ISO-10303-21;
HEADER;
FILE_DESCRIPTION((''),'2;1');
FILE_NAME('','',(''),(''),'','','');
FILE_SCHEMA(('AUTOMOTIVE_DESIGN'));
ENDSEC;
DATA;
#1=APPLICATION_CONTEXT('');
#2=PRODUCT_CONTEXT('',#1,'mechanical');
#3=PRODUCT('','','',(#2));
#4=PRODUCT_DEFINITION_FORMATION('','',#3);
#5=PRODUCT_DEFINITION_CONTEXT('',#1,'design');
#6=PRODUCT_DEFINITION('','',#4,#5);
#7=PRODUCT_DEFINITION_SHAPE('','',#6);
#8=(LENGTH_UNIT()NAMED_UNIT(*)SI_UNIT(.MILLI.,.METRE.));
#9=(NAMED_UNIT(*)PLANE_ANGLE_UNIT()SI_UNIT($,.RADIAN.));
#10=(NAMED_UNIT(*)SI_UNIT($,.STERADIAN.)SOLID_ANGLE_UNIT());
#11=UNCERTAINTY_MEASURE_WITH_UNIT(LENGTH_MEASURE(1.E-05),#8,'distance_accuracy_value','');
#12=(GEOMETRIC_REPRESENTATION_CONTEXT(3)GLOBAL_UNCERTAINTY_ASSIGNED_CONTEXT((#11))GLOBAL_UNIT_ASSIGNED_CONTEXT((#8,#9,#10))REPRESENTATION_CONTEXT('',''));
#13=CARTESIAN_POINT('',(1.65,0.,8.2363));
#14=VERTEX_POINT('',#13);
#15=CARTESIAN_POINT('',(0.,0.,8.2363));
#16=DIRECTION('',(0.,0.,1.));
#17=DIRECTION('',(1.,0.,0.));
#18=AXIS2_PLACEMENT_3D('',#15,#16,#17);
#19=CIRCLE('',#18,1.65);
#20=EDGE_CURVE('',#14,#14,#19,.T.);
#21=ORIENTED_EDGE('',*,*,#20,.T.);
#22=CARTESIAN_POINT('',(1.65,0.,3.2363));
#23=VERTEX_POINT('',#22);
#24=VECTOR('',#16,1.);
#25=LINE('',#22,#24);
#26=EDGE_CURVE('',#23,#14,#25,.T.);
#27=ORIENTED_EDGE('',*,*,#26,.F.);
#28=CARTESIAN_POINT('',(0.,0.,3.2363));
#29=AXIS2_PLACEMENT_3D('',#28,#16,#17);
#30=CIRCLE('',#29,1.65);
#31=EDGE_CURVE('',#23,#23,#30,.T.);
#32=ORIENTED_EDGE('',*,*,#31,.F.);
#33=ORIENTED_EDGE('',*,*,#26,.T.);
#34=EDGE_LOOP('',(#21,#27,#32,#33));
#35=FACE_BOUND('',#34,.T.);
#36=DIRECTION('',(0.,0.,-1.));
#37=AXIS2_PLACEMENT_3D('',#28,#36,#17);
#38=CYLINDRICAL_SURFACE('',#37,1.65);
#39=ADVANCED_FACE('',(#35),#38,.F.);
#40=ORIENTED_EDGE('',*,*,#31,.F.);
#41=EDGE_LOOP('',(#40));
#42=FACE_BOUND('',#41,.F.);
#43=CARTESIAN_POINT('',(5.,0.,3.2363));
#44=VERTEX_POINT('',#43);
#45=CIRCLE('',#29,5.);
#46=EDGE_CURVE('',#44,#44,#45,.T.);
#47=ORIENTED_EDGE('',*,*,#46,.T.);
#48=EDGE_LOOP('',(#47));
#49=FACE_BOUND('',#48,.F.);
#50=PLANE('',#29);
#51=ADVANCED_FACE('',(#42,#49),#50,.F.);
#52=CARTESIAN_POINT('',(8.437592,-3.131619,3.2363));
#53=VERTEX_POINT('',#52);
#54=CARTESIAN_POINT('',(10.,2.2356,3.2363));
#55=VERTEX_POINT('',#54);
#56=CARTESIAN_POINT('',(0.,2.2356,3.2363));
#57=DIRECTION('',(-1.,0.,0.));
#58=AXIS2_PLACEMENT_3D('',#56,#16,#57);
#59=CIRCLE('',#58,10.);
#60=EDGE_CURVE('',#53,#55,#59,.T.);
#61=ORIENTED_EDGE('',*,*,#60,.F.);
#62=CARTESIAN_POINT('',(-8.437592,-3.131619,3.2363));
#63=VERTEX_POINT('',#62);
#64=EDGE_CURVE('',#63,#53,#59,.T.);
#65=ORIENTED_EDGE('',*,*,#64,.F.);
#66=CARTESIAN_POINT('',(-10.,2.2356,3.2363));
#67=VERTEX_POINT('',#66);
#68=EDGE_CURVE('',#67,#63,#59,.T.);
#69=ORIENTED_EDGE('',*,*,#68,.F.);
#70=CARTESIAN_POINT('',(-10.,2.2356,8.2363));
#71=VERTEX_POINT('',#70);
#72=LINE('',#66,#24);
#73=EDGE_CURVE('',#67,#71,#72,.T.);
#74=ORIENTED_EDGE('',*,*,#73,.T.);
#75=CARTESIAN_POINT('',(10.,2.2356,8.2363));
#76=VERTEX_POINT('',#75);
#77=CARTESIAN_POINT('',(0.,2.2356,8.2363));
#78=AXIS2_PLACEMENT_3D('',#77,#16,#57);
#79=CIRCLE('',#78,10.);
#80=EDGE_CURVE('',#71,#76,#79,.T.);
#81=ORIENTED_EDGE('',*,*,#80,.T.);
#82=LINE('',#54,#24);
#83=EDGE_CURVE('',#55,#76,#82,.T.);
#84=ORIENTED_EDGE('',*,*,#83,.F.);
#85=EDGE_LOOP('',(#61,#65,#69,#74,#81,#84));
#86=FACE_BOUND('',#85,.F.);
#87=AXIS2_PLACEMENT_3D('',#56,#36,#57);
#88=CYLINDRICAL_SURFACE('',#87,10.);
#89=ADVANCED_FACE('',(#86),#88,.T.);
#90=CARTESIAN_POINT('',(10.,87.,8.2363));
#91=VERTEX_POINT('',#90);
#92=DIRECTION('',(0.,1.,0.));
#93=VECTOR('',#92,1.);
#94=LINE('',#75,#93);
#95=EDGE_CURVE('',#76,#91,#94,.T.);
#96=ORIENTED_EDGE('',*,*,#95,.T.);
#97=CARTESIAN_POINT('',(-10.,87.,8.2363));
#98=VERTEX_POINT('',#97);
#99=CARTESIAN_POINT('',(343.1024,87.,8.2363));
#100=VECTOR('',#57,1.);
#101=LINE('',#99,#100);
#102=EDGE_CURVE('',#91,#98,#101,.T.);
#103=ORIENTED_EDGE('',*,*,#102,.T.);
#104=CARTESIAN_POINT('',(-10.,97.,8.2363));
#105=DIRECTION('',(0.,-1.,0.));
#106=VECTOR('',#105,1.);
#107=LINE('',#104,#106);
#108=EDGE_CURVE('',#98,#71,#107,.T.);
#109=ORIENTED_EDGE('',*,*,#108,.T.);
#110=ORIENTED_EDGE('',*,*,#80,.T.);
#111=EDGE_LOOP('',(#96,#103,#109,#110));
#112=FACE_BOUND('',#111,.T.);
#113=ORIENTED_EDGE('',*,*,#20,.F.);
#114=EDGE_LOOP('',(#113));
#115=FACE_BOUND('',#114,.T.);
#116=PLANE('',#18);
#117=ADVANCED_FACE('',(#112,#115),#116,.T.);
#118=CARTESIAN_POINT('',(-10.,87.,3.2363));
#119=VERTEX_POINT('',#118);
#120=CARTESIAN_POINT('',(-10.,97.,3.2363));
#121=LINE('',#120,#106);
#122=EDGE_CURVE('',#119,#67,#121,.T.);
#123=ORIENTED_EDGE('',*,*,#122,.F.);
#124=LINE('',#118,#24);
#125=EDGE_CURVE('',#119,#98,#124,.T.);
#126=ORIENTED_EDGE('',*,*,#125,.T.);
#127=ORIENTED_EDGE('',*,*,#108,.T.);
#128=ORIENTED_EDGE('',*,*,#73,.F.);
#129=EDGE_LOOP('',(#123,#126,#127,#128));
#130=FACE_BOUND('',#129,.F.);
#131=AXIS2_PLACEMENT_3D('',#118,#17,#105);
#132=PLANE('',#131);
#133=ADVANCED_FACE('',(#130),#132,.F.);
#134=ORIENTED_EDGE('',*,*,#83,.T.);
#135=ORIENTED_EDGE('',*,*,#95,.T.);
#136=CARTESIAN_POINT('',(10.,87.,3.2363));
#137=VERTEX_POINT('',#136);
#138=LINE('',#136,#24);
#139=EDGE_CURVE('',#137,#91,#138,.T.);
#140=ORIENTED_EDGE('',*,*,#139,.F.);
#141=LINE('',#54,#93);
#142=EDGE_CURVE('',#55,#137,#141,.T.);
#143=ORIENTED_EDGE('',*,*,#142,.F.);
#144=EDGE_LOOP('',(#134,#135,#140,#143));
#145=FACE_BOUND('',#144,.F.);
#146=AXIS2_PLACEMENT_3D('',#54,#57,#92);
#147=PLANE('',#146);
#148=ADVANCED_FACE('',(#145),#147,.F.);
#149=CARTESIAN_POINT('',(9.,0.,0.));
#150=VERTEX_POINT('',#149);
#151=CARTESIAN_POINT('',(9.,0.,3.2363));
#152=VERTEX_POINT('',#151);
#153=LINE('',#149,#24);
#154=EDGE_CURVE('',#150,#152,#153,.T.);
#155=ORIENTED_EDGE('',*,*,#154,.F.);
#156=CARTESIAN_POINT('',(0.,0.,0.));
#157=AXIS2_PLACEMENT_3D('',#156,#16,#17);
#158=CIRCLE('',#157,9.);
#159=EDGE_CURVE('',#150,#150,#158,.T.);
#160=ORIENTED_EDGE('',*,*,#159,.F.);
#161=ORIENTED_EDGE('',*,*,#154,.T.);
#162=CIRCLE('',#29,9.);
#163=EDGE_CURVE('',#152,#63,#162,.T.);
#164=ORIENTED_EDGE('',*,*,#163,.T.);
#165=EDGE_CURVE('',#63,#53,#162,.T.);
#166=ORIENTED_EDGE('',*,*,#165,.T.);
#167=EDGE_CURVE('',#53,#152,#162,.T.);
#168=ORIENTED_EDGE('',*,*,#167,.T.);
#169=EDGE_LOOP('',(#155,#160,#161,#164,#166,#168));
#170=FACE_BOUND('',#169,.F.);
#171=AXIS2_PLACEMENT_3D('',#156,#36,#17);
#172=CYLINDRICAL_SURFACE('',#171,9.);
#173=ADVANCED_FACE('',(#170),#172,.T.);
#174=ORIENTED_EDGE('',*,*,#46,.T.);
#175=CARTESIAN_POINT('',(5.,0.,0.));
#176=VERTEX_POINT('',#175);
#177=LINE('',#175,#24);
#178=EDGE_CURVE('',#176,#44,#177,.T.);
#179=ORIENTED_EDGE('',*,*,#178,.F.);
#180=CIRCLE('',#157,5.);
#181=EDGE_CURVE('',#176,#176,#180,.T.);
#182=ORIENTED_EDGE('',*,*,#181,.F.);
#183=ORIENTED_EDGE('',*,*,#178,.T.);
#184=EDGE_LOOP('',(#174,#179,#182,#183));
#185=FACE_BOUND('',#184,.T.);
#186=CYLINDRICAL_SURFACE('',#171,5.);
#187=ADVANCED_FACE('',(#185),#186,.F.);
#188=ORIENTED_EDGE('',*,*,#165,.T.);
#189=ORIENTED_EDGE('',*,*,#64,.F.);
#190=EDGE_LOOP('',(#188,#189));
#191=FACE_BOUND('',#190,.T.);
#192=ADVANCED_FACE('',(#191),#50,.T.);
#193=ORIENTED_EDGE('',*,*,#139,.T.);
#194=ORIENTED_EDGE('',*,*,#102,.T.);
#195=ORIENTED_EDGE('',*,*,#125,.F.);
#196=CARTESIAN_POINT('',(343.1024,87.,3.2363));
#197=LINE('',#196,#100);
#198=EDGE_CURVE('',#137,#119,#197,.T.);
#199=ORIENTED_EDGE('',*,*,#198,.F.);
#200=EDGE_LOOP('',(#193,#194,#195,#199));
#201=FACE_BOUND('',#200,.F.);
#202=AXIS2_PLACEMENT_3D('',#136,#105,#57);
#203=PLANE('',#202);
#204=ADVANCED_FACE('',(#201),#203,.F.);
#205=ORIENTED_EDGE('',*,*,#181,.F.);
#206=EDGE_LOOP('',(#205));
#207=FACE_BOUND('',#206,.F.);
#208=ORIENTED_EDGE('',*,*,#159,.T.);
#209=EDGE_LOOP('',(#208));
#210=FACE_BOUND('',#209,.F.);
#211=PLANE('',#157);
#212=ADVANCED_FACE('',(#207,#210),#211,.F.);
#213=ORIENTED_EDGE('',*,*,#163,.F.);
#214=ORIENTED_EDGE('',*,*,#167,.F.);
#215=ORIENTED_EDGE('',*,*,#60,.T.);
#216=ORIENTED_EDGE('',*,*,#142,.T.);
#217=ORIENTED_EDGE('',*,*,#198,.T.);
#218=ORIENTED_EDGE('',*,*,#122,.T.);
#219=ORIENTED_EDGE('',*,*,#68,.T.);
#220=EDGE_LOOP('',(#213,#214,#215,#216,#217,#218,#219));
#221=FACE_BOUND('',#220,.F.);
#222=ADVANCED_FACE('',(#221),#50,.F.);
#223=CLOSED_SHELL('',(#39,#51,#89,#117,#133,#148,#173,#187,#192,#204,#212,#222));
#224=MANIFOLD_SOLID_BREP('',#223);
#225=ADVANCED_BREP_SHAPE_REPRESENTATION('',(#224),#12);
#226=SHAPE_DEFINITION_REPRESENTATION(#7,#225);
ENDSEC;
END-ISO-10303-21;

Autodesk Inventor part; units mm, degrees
ref_plane "YZ Plane" through (0, 0, 0) normal (1, 0, 0) x (0, 1, 0)
ref_plane "XZ Plane" through (0, 0, 0) normal (0, 1, 0) x (-1, 0, 0)
ref_plane "XY Plane" through (0, 0, 0) normal (0, 0, 1) x (1, 0, 0)
sketch "Эскиз1" plane through (0, 0, 0) normal (0, 0, 1) x (1, 0, 0)
  circle A0 centre (0, 0) radius 9 projected
  circle A1 centre (0, 0) radius 5 projected
  circle A2 centre (0, 0) radius 1.65 projected
  point P0 (0, 0)
extrude "Выдавливание1" add sketch "Эскиз1" along normal blind 3.2363 contours A0
sketch "Эскиз2" plane through (0, 0, 3.2363) normal (0, 0, 1) x (1, 0, 0)
  line L0 (0, -7.7644) -> (0, 107) construction
  line L1 (10, 2.2356) -> (10, 97)
  line L2 (-10, 97) -> (-10, 2.2356)
  arc A0 (-10, 2.2356) -> (10, 2.2356) centre (0, 2.2356) ccw
  arc A1 (10, 97) -> (-10, 97) centre (0, 97) ccw
  line L3 (343.1024, 87) -> (-136.8976, 87) projected
  circle A2 centre (0, 0) radius 5 construction
  circle A3 centre (0, 0) radius 1.65
  point P0 (0, 0)
  point P1 (0, 49.6178)
  point P2 (0, 107)
  point P3 (10, 87)
  point P4 (-10, 87)
  dimension "d2" = 20
  dimension "d3" = 20
  dimension "d4" = 3.3
extrude "Выдавливание2" add sketch "Эскиз2" along normal blind 5 contours A0 L2 L3 L1
properties part number "шатун2"
